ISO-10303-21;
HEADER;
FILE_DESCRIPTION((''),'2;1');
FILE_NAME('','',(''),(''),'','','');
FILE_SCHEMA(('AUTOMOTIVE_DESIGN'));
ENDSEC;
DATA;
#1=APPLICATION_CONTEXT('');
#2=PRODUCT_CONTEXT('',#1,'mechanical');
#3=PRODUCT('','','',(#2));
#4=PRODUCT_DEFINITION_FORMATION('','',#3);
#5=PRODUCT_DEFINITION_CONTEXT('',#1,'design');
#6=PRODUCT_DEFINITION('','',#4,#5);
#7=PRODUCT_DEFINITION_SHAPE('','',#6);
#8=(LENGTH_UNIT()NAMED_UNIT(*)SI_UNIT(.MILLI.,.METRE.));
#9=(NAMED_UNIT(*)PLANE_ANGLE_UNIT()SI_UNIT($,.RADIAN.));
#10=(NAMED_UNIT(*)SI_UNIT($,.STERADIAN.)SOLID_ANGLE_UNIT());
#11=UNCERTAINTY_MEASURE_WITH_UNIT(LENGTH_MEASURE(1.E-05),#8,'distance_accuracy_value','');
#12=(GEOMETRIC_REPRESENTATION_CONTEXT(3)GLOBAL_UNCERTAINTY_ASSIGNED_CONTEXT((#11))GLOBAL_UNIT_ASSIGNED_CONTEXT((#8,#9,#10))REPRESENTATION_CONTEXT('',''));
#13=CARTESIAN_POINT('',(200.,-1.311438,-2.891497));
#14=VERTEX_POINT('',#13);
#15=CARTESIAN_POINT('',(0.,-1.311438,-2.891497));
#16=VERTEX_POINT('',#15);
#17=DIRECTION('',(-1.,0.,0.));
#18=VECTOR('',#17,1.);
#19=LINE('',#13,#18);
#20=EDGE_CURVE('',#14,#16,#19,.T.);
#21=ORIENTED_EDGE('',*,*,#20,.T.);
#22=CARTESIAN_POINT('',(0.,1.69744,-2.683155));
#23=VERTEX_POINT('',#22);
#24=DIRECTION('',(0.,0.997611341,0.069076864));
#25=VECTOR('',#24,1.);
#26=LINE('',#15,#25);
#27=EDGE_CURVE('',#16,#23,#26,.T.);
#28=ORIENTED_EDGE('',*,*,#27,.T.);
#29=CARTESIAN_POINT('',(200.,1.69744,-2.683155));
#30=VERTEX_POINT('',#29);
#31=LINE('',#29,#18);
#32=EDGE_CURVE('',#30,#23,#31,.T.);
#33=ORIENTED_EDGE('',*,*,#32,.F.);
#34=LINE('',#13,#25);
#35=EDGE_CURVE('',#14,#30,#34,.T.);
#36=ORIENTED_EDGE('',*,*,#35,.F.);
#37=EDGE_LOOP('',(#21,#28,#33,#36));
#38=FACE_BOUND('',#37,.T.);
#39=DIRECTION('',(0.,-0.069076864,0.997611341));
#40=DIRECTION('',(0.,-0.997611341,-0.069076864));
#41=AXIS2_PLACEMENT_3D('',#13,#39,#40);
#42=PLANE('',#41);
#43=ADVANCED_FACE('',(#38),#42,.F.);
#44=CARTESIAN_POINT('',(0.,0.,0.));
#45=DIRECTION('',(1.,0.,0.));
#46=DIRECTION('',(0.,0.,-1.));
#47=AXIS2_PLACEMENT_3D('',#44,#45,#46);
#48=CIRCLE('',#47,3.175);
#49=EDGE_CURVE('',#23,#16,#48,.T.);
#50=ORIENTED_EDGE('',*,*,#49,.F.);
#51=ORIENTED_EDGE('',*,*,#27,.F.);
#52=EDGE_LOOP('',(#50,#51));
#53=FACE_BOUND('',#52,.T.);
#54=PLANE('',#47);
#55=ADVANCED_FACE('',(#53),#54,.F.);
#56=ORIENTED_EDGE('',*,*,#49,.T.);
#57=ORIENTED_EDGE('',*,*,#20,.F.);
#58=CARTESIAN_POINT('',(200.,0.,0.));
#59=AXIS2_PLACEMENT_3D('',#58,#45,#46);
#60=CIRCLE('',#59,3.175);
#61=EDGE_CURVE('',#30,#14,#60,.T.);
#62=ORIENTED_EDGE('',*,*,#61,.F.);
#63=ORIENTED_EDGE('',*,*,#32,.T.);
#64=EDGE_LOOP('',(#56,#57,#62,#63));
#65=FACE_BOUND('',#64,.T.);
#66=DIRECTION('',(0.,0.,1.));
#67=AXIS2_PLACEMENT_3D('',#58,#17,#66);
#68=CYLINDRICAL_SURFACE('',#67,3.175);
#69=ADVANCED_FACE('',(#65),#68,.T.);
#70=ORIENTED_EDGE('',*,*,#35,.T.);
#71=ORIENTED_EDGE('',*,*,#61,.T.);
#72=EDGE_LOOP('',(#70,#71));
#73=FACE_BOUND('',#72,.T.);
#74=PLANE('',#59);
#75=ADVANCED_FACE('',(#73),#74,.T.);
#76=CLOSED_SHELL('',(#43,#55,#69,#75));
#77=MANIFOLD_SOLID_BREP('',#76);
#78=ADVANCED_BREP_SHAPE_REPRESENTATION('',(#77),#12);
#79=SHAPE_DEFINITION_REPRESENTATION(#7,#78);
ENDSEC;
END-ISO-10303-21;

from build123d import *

# Parameters (mm, degrees)
BOSS_EXTRU_1_DEPTH = 200


with BuildPart() as part:
    # Esquisse1 → Boss.-Extru.1 (new body)
    with BuildSketch(Plane(origin=(0, 0, 0), x_dir=(0, 0, -1), z_dir=(1, 0, 0))):
        with BuildLine():
            Line((2.891496859, -1.31143849), (2.683155312, 1.697440006))
            ThreePointArc((2.683155312, 1.697440006), (-3.167416006, -0.219319043), (2.891496859, -1.31143849))
        make_face()
    extrude(amount=BOSS_EXTRU_1_DEPTH)


solid = part.part
